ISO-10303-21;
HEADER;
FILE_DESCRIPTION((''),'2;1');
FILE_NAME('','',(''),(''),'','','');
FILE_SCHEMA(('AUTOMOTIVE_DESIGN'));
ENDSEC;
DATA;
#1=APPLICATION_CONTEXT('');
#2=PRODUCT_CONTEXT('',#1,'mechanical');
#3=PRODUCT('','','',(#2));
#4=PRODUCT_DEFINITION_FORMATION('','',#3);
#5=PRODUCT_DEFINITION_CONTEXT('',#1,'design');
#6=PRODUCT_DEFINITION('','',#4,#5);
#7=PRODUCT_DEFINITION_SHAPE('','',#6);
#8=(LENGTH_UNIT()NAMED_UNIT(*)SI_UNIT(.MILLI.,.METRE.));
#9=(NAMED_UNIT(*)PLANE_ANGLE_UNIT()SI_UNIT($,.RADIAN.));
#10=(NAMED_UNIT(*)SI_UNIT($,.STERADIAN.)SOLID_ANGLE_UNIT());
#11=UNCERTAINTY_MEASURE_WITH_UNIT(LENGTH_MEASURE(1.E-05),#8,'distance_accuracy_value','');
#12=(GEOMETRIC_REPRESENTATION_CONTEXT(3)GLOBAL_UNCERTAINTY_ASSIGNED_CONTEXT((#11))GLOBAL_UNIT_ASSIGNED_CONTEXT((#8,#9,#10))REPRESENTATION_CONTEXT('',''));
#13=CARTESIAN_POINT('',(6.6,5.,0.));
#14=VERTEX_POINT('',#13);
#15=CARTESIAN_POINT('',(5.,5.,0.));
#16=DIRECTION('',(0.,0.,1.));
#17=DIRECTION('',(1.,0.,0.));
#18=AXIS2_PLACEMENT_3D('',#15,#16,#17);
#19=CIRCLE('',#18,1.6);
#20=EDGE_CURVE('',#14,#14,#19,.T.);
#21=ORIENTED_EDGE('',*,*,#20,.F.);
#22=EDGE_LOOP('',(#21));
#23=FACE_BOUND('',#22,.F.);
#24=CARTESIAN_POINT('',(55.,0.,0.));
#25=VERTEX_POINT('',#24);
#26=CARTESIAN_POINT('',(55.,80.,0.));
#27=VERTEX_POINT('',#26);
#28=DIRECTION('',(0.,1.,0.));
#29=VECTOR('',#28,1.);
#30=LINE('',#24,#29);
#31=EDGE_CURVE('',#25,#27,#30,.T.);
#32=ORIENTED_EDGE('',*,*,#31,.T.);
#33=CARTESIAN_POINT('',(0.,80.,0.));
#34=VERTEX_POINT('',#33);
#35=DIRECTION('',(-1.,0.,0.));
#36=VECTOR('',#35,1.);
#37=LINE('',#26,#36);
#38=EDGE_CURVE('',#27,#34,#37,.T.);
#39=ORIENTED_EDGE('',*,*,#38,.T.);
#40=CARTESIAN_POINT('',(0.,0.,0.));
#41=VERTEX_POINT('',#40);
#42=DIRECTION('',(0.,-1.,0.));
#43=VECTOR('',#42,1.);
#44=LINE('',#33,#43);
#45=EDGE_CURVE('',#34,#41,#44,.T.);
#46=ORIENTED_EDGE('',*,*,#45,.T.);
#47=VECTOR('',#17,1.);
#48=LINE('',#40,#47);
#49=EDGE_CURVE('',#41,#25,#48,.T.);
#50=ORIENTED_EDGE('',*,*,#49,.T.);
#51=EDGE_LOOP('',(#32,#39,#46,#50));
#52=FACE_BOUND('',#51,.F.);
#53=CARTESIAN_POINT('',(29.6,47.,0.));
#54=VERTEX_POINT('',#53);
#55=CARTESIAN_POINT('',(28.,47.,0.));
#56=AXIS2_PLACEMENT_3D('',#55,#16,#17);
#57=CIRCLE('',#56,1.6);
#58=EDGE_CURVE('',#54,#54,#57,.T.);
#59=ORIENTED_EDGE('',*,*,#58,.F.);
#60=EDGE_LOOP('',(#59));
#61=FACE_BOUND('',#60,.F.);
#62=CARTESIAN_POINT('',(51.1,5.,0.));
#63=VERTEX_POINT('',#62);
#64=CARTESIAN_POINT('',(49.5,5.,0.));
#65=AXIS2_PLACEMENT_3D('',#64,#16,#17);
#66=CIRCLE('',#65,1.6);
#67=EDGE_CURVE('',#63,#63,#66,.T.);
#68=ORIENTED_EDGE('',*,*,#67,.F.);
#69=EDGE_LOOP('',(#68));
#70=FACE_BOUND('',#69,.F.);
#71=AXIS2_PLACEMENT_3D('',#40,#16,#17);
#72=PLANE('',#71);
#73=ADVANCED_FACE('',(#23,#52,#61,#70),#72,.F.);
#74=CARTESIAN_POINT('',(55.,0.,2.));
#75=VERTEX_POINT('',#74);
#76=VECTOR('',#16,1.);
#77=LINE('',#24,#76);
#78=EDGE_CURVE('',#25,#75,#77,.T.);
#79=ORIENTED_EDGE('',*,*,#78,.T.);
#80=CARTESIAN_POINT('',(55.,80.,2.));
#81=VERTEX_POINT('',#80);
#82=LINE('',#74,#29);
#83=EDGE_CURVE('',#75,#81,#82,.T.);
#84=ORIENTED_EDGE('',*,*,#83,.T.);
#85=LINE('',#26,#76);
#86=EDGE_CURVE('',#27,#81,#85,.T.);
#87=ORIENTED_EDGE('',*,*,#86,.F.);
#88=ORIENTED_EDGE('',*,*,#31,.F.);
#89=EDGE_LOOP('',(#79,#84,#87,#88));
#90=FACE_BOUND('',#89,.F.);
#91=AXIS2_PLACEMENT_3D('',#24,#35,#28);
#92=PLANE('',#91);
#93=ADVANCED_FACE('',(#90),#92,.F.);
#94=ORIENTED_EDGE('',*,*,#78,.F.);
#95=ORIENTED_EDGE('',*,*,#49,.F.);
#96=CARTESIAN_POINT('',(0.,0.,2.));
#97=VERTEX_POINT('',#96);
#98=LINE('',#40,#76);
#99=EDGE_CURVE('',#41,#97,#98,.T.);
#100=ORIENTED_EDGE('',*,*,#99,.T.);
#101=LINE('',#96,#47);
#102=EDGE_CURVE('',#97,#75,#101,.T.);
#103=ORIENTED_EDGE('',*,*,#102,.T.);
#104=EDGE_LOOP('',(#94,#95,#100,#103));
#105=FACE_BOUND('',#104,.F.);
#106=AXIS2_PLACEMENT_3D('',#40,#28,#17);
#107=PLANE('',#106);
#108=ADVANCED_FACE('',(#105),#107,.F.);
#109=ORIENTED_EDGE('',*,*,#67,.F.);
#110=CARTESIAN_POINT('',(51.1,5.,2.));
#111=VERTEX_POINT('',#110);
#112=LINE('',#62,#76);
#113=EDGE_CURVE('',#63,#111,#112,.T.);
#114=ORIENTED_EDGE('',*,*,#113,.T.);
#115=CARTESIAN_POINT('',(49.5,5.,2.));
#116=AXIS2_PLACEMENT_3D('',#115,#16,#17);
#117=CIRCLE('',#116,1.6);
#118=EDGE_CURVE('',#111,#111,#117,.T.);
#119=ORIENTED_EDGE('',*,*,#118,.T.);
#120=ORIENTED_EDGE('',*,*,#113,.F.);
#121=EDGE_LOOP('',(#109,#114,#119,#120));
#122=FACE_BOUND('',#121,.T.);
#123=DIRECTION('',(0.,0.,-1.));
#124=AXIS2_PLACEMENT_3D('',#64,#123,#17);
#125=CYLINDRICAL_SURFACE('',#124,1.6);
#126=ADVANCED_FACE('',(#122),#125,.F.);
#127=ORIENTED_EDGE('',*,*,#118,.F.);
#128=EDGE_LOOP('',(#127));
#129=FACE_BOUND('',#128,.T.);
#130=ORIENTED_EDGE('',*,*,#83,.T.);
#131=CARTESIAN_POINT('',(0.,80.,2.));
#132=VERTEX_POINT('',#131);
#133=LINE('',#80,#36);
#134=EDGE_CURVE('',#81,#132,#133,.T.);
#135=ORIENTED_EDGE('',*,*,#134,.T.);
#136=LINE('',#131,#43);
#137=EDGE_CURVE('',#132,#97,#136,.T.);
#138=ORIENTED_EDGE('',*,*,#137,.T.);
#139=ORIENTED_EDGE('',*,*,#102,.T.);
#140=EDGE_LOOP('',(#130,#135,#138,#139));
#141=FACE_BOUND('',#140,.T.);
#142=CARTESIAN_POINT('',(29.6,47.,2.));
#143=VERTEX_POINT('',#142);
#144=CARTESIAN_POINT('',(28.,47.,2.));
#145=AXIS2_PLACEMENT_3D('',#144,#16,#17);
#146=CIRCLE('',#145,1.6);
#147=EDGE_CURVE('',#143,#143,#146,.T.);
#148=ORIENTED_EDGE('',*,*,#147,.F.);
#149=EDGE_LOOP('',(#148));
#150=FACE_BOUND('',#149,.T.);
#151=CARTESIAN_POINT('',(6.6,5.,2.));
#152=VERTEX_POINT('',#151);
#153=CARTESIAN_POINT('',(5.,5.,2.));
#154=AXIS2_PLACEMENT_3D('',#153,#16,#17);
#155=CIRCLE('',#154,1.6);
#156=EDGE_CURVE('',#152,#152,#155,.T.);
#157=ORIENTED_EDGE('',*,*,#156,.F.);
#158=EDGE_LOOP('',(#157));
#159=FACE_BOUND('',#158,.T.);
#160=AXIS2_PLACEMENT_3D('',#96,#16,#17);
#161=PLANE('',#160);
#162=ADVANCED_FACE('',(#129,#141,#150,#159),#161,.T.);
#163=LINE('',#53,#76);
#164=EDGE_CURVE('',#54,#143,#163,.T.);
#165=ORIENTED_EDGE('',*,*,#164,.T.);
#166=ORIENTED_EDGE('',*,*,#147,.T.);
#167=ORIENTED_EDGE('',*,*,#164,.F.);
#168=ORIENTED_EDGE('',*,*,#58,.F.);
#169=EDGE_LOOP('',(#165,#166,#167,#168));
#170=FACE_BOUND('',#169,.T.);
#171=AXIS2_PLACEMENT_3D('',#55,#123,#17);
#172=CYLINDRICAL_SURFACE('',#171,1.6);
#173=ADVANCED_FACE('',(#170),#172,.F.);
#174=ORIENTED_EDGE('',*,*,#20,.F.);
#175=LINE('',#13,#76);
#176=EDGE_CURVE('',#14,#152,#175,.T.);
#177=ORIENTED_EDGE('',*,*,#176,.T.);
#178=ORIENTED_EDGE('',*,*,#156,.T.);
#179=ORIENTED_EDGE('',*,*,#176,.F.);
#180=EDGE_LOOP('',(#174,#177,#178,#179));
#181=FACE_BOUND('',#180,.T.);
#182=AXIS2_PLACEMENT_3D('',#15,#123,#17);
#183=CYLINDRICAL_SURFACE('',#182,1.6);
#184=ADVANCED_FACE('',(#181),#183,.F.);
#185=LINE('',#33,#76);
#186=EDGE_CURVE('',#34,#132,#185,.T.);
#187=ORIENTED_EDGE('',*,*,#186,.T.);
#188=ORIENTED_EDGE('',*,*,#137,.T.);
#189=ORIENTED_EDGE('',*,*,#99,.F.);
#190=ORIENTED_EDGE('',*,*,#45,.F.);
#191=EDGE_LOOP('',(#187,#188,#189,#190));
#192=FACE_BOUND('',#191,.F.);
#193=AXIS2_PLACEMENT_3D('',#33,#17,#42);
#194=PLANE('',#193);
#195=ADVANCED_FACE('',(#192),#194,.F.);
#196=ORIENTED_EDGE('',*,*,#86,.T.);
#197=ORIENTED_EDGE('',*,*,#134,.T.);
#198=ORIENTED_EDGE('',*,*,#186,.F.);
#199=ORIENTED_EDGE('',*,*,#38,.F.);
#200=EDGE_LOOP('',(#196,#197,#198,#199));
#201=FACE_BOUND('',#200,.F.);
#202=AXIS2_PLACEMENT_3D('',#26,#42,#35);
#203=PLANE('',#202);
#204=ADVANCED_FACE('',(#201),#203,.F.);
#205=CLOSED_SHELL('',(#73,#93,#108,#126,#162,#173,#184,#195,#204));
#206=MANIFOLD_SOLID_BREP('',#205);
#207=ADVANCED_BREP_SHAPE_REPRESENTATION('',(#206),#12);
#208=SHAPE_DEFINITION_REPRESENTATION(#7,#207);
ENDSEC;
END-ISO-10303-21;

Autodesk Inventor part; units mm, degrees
ref_plane "YZ Plane" through (0, 0, 0) normal (1, 0, 0) x (0, 1, 0)
ref_plane "XZ Plane" through (0, 0, 0) normal (0, 1, 0) x (-1, 0, 0)
ref_plane "XY Plane" through (0, 0, 0) normal (0, 0, 1) x (1, 0, 0)
sketch "Skizze1" plane through (0, 0, 0) normal (0, 0, 1) x (1, 0, 0)
  line L0 (0, 0) -> (55, 0)
  line L1 (55, 0) -> (55, 80)
  line L2 (55, 80) -> (0, 80)
  line L3 (0, 80) -> (0, 0)
  circle A0 centre (5, 5) radius 1.6
  circle A1 centre (49.5, 5) radius 1.6
  circle A2 centre (28, 47) radius 1.6
  dimension "d0" = 80
  dimension "d1" = 55
  dimension "d2" = 3.2
  dimension "d3" = 3.2
  dimension "d4" = 3.2
  dimension "d5" = 5
  dimension "d6" = 5
  dimension "d7" = 49.5
  dimension "d8" = 5
  dimension "d9" = 47
  dimension "d10" = 28
extrude "Extrusion1" add sketch "Skizze1" along normal blind 2
properties part number "Testplatine"
